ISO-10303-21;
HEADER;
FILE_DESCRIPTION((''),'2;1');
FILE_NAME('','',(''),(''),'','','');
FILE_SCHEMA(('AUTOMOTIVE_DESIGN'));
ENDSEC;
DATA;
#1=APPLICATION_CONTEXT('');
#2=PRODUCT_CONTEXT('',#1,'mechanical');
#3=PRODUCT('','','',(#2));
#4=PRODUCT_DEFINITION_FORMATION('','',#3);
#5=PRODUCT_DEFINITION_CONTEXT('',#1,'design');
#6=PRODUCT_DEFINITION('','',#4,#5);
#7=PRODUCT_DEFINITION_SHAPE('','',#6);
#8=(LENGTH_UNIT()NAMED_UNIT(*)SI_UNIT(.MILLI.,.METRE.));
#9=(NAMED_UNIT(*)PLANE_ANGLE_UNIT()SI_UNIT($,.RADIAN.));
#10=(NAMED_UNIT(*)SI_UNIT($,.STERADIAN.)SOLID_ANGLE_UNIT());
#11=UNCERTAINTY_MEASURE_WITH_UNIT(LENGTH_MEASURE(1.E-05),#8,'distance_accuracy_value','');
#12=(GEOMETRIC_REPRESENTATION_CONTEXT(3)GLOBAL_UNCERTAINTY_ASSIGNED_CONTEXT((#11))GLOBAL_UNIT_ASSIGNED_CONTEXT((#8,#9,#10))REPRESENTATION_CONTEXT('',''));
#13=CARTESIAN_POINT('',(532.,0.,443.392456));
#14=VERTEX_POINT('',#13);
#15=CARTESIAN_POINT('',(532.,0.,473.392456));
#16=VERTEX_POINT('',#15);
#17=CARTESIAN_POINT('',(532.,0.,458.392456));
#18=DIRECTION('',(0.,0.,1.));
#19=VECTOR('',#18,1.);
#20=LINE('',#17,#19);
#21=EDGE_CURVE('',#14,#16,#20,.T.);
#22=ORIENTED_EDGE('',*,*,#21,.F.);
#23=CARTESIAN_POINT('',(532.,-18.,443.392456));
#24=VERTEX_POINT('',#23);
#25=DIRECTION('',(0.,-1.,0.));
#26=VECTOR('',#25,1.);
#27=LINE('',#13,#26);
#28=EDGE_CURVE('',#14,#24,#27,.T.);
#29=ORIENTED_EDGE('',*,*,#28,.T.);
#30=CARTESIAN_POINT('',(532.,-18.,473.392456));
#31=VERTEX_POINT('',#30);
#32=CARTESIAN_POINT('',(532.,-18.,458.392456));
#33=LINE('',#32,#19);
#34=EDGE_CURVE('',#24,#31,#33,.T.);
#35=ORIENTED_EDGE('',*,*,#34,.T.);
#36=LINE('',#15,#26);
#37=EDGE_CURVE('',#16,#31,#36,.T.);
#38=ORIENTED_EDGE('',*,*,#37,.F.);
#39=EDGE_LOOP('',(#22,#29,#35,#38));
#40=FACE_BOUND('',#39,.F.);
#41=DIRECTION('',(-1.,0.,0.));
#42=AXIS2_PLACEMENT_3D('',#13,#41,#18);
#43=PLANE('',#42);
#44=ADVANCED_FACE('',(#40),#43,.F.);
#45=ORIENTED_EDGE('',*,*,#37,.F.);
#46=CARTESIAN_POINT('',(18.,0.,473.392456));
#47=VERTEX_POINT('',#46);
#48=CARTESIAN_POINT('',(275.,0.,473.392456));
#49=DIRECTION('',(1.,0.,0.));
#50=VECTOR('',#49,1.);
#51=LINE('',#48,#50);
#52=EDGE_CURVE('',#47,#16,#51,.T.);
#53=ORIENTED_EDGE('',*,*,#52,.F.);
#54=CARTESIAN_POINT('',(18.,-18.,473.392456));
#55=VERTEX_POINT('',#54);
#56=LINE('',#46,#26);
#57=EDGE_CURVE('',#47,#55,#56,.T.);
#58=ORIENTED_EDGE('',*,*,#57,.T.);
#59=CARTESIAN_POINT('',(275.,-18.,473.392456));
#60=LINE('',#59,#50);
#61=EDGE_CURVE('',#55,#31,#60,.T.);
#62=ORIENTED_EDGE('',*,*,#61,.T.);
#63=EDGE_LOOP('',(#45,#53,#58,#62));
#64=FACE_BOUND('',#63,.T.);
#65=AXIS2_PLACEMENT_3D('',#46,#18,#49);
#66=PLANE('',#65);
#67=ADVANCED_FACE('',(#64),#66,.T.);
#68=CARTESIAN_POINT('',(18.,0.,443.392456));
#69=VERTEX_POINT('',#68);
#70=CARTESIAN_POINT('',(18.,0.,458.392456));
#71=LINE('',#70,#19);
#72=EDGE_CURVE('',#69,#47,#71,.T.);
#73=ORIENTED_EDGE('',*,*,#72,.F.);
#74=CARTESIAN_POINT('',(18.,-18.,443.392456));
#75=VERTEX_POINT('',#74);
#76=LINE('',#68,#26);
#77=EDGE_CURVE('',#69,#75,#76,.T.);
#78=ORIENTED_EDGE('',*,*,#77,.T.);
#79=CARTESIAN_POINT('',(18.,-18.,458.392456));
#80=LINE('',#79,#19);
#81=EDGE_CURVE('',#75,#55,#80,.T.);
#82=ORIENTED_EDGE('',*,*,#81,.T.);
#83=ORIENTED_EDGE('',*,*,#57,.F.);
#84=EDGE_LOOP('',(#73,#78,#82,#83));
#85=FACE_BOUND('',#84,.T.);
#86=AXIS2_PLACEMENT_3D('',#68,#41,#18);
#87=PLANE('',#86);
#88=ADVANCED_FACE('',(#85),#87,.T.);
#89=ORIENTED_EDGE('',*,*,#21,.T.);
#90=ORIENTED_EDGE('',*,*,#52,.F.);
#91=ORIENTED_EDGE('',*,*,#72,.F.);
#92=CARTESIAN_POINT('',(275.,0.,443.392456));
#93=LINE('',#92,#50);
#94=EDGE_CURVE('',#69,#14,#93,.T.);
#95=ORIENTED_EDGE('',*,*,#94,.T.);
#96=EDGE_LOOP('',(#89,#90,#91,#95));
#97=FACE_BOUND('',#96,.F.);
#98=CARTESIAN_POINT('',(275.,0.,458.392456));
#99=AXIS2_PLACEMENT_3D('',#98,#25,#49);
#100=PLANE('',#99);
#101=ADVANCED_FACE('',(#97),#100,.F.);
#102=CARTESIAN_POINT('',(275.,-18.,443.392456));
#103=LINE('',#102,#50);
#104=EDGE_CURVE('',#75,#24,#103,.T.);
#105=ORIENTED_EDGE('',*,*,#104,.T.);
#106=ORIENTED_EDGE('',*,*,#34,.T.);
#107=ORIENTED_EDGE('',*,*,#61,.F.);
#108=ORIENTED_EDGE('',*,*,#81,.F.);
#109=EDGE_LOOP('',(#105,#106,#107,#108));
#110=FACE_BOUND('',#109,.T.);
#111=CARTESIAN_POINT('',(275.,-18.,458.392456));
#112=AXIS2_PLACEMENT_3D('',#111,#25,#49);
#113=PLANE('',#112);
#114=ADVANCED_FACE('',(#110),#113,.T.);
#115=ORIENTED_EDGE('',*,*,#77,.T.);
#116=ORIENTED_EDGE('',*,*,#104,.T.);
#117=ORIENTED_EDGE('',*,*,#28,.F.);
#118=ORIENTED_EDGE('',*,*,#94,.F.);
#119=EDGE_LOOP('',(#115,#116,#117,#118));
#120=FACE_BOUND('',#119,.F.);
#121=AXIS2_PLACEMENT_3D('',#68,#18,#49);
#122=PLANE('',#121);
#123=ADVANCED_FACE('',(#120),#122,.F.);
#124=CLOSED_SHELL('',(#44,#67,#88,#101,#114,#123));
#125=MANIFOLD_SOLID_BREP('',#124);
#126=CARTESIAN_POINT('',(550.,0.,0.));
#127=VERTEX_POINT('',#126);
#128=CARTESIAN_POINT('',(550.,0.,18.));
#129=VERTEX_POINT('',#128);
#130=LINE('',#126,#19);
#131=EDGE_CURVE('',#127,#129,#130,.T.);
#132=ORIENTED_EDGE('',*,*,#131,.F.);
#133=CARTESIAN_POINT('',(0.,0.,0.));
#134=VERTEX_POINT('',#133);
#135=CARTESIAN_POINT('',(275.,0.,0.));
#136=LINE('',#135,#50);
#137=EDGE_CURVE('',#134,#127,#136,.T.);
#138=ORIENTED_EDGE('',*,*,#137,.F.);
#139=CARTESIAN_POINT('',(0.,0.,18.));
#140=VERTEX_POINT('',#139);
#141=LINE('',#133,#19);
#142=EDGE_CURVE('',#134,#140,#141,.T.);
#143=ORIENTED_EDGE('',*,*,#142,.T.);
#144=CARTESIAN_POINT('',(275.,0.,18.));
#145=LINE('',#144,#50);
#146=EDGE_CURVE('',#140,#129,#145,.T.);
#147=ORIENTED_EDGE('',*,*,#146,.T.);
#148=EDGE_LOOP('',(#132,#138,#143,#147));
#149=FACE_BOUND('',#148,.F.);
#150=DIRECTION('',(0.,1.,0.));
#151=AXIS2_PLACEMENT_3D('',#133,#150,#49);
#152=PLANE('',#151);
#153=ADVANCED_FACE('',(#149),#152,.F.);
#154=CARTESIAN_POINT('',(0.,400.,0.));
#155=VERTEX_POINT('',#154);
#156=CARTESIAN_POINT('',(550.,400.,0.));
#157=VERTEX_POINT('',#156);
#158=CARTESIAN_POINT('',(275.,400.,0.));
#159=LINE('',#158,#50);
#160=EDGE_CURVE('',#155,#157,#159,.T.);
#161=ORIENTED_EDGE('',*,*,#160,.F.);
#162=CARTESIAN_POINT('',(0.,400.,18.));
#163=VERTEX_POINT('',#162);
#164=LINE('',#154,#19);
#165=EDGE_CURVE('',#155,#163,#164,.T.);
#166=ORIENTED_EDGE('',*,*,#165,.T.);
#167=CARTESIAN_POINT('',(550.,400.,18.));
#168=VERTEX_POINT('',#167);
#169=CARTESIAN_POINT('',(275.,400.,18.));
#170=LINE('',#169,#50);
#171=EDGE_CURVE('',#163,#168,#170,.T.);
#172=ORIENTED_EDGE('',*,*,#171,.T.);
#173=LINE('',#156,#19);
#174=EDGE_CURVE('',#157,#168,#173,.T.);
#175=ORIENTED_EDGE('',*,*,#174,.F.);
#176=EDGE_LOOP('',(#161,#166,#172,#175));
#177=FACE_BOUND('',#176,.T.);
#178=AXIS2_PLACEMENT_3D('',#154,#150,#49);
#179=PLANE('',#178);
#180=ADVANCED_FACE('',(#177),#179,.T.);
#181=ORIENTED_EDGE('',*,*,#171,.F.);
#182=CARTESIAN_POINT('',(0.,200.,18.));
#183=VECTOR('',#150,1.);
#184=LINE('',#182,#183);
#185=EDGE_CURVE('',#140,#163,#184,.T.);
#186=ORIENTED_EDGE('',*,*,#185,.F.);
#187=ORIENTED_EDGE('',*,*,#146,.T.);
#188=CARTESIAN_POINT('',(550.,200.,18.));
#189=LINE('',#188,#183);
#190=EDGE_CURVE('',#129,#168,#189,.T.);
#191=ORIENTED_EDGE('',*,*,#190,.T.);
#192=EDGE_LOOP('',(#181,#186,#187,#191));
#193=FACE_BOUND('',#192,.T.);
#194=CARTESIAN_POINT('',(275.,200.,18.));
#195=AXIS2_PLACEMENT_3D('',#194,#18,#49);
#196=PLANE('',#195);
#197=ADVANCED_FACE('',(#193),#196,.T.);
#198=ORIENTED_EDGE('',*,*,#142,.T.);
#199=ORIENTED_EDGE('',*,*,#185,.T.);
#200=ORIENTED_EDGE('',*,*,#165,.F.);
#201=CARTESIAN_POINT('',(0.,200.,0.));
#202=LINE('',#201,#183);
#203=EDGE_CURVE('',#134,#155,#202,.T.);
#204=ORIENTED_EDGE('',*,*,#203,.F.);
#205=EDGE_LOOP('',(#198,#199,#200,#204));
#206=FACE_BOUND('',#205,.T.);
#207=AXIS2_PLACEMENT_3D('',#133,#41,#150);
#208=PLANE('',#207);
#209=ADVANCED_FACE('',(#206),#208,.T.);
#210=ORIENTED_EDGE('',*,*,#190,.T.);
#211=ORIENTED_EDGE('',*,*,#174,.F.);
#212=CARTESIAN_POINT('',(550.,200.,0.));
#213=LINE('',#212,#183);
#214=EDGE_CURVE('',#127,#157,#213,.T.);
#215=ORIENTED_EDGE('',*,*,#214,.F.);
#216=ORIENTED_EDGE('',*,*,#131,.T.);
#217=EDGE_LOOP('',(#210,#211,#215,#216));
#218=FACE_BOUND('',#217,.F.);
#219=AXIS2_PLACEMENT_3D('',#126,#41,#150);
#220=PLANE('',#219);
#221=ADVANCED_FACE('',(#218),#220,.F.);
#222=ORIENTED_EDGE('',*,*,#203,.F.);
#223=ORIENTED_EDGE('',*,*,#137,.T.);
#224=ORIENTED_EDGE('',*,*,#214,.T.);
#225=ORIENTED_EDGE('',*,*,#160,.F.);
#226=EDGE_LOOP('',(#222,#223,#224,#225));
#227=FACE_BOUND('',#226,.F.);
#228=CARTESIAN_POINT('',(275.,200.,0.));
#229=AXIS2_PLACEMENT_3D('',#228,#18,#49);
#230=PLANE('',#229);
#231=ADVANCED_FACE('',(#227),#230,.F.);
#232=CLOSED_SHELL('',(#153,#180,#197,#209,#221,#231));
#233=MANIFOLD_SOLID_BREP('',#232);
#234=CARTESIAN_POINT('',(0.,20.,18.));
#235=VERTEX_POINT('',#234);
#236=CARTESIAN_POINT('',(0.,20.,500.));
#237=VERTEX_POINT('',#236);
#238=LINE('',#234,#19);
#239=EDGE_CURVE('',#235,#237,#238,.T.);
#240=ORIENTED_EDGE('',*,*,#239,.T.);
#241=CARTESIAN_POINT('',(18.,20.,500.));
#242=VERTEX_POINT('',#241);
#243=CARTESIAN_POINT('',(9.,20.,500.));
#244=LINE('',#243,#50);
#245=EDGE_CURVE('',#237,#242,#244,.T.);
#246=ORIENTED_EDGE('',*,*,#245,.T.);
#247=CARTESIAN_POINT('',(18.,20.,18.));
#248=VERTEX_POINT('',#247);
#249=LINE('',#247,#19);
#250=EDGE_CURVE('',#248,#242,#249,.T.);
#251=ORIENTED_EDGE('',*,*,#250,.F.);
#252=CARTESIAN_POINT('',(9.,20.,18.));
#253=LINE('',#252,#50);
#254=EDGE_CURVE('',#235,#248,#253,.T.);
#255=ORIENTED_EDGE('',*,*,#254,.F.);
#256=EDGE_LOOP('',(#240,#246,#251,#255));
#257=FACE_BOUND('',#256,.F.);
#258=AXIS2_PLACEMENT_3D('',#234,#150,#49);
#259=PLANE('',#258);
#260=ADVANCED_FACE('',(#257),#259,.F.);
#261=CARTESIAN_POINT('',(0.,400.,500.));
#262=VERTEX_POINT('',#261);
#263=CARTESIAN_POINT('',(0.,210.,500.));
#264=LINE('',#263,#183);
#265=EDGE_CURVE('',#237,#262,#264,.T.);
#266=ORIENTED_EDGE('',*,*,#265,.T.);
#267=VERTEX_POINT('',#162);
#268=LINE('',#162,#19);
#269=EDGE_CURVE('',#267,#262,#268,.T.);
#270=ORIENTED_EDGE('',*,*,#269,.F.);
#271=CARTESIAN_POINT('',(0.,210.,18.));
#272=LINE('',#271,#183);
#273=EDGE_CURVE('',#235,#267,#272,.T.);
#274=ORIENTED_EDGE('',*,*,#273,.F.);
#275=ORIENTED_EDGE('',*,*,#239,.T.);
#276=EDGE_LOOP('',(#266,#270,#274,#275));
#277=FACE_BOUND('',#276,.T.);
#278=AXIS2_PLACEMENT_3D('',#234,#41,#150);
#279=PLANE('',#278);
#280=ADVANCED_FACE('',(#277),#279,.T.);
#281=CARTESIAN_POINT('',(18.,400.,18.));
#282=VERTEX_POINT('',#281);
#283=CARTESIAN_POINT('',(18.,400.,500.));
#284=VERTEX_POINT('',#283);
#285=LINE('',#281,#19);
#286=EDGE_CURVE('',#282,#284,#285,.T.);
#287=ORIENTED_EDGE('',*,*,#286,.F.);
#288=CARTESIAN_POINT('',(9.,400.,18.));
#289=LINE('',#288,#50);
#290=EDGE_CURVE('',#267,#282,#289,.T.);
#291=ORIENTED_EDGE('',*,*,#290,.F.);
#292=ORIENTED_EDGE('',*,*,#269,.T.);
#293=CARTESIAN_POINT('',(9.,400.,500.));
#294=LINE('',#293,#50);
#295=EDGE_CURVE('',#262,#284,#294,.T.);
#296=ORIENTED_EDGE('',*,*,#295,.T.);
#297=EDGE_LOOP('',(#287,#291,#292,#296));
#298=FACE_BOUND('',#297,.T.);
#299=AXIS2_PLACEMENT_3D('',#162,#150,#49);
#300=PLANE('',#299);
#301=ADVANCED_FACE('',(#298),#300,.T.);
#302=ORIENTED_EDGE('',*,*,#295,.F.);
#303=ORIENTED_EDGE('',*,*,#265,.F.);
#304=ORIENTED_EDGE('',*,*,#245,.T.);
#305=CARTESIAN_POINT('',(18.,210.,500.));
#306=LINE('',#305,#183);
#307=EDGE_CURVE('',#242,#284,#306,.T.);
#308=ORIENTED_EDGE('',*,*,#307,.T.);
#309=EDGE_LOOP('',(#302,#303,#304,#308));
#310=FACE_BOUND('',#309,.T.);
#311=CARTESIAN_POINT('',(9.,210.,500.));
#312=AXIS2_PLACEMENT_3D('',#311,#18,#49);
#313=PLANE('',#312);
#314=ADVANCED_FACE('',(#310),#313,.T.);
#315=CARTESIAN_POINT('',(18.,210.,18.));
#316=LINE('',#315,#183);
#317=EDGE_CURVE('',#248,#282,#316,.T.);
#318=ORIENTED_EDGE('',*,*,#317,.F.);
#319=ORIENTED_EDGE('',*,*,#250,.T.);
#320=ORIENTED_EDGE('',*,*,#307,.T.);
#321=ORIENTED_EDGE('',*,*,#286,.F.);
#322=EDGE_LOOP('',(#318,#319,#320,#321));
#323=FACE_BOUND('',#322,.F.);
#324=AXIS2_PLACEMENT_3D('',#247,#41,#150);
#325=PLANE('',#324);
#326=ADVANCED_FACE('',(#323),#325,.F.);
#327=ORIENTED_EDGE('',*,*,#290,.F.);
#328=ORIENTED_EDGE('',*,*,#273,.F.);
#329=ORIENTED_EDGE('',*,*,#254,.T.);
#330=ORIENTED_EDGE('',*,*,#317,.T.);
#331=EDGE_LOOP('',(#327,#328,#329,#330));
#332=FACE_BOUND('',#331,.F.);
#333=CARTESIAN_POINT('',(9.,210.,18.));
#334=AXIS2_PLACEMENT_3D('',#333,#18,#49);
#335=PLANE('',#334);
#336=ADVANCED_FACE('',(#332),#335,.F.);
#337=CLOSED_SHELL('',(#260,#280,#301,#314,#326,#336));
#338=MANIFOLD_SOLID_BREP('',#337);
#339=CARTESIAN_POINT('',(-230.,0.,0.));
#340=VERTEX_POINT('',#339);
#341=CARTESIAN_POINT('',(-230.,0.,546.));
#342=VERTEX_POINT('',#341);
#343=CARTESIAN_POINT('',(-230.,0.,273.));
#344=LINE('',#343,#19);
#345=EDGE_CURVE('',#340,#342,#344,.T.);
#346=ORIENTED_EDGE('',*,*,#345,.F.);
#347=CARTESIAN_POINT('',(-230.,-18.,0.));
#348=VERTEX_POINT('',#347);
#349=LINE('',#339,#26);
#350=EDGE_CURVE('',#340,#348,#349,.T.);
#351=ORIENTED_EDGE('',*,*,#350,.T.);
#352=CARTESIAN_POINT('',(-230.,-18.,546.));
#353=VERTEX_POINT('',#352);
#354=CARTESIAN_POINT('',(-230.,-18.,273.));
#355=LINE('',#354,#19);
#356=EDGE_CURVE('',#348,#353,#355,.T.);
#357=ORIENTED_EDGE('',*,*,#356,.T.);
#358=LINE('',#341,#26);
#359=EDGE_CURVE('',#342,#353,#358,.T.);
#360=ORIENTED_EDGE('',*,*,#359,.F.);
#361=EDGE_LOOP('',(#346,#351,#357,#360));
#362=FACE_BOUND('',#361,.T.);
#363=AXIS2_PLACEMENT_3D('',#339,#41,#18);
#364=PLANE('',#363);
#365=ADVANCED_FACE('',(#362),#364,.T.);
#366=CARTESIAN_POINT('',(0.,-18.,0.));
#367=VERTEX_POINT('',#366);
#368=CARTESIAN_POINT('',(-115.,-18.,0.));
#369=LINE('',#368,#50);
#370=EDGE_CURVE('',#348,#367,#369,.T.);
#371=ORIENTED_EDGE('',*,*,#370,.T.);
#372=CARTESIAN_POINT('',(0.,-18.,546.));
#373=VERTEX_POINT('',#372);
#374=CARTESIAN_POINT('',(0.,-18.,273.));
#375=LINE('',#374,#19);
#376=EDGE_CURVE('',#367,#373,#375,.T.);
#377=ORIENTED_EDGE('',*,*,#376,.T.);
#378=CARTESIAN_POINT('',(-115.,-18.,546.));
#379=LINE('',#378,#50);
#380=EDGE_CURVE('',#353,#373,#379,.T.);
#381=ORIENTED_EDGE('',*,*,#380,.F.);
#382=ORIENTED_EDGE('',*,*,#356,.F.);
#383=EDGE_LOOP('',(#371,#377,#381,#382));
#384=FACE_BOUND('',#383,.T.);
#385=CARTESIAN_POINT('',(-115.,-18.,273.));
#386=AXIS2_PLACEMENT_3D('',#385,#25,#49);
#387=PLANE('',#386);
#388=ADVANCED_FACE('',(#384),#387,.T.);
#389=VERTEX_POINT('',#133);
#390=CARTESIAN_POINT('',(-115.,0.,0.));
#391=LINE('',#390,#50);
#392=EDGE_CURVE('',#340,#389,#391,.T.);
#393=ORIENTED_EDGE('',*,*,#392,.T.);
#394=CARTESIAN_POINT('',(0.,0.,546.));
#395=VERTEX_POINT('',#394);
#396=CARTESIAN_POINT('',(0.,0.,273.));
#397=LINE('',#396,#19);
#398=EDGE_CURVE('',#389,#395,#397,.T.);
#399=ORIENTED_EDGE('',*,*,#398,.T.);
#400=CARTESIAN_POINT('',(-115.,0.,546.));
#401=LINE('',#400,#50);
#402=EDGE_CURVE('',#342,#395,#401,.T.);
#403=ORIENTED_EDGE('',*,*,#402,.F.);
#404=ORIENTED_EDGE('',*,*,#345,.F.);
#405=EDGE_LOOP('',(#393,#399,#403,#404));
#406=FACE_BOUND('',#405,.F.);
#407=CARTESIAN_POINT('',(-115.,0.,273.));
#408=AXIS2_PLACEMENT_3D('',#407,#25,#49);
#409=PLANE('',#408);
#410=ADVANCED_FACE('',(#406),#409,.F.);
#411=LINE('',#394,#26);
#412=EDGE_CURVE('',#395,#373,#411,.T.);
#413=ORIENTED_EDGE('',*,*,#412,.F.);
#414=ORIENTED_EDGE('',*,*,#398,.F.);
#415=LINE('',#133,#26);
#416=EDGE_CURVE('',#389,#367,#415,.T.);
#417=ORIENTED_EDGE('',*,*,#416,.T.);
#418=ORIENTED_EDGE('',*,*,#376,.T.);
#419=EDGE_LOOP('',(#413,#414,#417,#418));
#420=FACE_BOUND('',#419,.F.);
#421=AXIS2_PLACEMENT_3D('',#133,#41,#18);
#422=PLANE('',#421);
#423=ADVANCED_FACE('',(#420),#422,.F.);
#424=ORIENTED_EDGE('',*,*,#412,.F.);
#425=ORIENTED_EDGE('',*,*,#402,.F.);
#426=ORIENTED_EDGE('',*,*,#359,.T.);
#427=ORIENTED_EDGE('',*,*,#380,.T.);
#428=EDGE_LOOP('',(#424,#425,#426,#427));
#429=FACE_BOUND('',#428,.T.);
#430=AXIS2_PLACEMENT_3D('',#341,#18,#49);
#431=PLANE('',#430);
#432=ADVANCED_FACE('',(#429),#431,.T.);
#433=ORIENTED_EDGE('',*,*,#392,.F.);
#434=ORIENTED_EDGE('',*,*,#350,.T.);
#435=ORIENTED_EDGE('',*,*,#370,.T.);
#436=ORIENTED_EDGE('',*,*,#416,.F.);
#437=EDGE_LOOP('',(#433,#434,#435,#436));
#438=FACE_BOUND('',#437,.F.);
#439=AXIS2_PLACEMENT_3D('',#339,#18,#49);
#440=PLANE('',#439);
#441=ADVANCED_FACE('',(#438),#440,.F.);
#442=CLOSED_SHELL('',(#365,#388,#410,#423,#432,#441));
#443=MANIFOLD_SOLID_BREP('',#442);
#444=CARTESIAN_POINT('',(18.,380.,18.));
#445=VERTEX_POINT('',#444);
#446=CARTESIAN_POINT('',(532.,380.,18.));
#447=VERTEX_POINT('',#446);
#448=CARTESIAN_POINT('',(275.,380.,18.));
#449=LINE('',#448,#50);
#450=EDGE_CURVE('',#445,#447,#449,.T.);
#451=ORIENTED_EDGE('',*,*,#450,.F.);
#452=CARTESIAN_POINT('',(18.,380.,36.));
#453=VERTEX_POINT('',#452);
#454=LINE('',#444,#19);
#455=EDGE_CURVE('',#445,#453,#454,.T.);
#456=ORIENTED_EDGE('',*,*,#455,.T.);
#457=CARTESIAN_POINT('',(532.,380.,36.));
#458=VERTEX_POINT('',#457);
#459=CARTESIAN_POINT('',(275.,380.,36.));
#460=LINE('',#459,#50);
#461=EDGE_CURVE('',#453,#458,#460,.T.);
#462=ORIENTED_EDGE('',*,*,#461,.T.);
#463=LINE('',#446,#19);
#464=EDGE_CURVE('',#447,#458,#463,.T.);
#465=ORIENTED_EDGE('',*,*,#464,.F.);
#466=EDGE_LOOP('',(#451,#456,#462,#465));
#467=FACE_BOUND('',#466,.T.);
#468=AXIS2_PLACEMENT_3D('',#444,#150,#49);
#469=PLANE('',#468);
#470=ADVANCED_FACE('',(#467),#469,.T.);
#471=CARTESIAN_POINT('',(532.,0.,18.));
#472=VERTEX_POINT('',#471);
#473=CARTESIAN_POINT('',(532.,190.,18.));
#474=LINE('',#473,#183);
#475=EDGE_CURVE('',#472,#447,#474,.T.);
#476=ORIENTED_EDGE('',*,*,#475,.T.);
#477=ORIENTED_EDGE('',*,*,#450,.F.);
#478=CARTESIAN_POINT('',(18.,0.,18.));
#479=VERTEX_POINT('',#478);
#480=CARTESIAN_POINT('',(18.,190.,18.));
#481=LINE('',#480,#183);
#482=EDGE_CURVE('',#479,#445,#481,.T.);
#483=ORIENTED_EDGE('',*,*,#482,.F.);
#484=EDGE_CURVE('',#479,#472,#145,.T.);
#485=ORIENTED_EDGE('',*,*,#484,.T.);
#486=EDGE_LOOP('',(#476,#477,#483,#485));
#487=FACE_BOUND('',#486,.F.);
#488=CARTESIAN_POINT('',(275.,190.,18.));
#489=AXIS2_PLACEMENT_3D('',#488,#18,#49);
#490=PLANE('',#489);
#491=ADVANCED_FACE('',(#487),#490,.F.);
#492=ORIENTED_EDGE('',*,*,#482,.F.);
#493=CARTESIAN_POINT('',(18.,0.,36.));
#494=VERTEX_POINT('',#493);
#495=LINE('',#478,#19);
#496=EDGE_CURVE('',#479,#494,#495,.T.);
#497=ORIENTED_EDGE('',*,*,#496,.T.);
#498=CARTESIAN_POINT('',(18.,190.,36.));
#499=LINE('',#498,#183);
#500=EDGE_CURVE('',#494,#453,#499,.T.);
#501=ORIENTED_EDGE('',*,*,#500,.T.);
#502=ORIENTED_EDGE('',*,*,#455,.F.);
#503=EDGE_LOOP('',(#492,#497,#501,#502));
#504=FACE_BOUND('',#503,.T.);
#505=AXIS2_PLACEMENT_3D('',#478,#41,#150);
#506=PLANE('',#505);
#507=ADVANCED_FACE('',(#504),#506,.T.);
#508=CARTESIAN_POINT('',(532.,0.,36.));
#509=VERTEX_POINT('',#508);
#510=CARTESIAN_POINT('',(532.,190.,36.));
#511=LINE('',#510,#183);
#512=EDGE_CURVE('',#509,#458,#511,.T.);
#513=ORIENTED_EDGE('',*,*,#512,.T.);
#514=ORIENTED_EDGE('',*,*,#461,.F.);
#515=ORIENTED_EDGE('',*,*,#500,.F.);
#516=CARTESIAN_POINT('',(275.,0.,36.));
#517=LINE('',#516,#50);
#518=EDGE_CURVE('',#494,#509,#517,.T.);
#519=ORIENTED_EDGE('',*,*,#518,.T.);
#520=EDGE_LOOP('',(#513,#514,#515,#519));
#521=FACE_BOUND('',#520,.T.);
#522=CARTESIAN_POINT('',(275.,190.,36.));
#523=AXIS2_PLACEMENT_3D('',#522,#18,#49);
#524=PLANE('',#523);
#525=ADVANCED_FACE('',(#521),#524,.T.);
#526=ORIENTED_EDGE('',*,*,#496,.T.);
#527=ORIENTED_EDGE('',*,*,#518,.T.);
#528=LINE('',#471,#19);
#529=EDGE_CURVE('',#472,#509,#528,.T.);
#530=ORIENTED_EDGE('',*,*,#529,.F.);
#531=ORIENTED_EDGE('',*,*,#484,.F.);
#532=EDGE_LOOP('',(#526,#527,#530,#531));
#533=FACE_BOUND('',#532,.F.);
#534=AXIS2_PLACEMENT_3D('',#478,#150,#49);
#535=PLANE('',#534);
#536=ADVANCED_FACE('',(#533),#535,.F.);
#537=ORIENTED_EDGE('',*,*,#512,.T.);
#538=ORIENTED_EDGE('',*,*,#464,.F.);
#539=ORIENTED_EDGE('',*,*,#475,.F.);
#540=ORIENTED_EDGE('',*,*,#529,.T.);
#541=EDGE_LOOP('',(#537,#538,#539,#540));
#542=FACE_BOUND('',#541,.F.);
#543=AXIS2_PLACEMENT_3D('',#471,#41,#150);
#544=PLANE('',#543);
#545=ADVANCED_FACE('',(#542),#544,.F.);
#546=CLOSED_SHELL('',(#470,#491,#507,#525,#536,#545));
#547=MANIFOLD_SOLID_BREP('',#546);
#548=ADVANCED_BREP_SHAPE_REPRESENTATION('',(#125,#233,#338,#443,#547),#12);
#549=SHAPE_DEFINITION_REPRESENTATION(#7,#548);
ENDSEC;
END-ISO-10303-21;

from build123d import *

# Parameters (mm, degrees)
F0_W     = 550
F0_H     = 400
F1_DEPTH = 18
F2_W     = 18
F2_H     = 380
F3_DEPTH = 482
F4_W     = 514
F4_H     = 30
F5_DEPTH = 18
F6_W     = 514
F6_H     = 380
F7_DEPTH = 18
F8_W     = 230
F8_H     = 546
F9_DEPTH = 18


with BuildPart() as f1:
    # F0 (on Top) → F1 (new body)
    with BuildSketch(Plane.XY):
        with Locations((275, 200)):
            Rectangle(F0_W, F0_H)
    extrude(amount=F1_DEPTH)


with BuildPart() as f3:
    # F2 (on face) → F3 (new body)
    with BuildSketch(Plane.XY.offset(18)):
        with Locations((9, 210)):
            Rectangle(F2_W, F2_H)
    extrude(amount=F3_DEPTH)


with BuildPart() as f5:
    # F4 (on Front) → F5 (new body)
    with BuildSketch(Plane.XZ):
        with Locations((275, 458.392456)):
            Rectangle(F4_W, F4_H)
    extrude(amount=F5_DEPTH)


with BuildPart() as f7:
    # F6 (on face) → F7 (new body)
    with BuildSketch(Plane.XY.offset(18)):
        with Locations((275, 190)):
            Rectangle(F6_W, F6_H)
    extrude(amount=F7_DEPTH)


with BuildPart() as f9:
    # F8 (on Front) → F9 (new body)
    with BuildSketch(Plane.XZ):
        with Locations((-115, 273)):
            Rectangle(F8_W, F8_H)
    extrude(amount=F9_DEPTH)


solid = Compound([f1.part, f3.part, f5.part, f7.part, f9.part])
